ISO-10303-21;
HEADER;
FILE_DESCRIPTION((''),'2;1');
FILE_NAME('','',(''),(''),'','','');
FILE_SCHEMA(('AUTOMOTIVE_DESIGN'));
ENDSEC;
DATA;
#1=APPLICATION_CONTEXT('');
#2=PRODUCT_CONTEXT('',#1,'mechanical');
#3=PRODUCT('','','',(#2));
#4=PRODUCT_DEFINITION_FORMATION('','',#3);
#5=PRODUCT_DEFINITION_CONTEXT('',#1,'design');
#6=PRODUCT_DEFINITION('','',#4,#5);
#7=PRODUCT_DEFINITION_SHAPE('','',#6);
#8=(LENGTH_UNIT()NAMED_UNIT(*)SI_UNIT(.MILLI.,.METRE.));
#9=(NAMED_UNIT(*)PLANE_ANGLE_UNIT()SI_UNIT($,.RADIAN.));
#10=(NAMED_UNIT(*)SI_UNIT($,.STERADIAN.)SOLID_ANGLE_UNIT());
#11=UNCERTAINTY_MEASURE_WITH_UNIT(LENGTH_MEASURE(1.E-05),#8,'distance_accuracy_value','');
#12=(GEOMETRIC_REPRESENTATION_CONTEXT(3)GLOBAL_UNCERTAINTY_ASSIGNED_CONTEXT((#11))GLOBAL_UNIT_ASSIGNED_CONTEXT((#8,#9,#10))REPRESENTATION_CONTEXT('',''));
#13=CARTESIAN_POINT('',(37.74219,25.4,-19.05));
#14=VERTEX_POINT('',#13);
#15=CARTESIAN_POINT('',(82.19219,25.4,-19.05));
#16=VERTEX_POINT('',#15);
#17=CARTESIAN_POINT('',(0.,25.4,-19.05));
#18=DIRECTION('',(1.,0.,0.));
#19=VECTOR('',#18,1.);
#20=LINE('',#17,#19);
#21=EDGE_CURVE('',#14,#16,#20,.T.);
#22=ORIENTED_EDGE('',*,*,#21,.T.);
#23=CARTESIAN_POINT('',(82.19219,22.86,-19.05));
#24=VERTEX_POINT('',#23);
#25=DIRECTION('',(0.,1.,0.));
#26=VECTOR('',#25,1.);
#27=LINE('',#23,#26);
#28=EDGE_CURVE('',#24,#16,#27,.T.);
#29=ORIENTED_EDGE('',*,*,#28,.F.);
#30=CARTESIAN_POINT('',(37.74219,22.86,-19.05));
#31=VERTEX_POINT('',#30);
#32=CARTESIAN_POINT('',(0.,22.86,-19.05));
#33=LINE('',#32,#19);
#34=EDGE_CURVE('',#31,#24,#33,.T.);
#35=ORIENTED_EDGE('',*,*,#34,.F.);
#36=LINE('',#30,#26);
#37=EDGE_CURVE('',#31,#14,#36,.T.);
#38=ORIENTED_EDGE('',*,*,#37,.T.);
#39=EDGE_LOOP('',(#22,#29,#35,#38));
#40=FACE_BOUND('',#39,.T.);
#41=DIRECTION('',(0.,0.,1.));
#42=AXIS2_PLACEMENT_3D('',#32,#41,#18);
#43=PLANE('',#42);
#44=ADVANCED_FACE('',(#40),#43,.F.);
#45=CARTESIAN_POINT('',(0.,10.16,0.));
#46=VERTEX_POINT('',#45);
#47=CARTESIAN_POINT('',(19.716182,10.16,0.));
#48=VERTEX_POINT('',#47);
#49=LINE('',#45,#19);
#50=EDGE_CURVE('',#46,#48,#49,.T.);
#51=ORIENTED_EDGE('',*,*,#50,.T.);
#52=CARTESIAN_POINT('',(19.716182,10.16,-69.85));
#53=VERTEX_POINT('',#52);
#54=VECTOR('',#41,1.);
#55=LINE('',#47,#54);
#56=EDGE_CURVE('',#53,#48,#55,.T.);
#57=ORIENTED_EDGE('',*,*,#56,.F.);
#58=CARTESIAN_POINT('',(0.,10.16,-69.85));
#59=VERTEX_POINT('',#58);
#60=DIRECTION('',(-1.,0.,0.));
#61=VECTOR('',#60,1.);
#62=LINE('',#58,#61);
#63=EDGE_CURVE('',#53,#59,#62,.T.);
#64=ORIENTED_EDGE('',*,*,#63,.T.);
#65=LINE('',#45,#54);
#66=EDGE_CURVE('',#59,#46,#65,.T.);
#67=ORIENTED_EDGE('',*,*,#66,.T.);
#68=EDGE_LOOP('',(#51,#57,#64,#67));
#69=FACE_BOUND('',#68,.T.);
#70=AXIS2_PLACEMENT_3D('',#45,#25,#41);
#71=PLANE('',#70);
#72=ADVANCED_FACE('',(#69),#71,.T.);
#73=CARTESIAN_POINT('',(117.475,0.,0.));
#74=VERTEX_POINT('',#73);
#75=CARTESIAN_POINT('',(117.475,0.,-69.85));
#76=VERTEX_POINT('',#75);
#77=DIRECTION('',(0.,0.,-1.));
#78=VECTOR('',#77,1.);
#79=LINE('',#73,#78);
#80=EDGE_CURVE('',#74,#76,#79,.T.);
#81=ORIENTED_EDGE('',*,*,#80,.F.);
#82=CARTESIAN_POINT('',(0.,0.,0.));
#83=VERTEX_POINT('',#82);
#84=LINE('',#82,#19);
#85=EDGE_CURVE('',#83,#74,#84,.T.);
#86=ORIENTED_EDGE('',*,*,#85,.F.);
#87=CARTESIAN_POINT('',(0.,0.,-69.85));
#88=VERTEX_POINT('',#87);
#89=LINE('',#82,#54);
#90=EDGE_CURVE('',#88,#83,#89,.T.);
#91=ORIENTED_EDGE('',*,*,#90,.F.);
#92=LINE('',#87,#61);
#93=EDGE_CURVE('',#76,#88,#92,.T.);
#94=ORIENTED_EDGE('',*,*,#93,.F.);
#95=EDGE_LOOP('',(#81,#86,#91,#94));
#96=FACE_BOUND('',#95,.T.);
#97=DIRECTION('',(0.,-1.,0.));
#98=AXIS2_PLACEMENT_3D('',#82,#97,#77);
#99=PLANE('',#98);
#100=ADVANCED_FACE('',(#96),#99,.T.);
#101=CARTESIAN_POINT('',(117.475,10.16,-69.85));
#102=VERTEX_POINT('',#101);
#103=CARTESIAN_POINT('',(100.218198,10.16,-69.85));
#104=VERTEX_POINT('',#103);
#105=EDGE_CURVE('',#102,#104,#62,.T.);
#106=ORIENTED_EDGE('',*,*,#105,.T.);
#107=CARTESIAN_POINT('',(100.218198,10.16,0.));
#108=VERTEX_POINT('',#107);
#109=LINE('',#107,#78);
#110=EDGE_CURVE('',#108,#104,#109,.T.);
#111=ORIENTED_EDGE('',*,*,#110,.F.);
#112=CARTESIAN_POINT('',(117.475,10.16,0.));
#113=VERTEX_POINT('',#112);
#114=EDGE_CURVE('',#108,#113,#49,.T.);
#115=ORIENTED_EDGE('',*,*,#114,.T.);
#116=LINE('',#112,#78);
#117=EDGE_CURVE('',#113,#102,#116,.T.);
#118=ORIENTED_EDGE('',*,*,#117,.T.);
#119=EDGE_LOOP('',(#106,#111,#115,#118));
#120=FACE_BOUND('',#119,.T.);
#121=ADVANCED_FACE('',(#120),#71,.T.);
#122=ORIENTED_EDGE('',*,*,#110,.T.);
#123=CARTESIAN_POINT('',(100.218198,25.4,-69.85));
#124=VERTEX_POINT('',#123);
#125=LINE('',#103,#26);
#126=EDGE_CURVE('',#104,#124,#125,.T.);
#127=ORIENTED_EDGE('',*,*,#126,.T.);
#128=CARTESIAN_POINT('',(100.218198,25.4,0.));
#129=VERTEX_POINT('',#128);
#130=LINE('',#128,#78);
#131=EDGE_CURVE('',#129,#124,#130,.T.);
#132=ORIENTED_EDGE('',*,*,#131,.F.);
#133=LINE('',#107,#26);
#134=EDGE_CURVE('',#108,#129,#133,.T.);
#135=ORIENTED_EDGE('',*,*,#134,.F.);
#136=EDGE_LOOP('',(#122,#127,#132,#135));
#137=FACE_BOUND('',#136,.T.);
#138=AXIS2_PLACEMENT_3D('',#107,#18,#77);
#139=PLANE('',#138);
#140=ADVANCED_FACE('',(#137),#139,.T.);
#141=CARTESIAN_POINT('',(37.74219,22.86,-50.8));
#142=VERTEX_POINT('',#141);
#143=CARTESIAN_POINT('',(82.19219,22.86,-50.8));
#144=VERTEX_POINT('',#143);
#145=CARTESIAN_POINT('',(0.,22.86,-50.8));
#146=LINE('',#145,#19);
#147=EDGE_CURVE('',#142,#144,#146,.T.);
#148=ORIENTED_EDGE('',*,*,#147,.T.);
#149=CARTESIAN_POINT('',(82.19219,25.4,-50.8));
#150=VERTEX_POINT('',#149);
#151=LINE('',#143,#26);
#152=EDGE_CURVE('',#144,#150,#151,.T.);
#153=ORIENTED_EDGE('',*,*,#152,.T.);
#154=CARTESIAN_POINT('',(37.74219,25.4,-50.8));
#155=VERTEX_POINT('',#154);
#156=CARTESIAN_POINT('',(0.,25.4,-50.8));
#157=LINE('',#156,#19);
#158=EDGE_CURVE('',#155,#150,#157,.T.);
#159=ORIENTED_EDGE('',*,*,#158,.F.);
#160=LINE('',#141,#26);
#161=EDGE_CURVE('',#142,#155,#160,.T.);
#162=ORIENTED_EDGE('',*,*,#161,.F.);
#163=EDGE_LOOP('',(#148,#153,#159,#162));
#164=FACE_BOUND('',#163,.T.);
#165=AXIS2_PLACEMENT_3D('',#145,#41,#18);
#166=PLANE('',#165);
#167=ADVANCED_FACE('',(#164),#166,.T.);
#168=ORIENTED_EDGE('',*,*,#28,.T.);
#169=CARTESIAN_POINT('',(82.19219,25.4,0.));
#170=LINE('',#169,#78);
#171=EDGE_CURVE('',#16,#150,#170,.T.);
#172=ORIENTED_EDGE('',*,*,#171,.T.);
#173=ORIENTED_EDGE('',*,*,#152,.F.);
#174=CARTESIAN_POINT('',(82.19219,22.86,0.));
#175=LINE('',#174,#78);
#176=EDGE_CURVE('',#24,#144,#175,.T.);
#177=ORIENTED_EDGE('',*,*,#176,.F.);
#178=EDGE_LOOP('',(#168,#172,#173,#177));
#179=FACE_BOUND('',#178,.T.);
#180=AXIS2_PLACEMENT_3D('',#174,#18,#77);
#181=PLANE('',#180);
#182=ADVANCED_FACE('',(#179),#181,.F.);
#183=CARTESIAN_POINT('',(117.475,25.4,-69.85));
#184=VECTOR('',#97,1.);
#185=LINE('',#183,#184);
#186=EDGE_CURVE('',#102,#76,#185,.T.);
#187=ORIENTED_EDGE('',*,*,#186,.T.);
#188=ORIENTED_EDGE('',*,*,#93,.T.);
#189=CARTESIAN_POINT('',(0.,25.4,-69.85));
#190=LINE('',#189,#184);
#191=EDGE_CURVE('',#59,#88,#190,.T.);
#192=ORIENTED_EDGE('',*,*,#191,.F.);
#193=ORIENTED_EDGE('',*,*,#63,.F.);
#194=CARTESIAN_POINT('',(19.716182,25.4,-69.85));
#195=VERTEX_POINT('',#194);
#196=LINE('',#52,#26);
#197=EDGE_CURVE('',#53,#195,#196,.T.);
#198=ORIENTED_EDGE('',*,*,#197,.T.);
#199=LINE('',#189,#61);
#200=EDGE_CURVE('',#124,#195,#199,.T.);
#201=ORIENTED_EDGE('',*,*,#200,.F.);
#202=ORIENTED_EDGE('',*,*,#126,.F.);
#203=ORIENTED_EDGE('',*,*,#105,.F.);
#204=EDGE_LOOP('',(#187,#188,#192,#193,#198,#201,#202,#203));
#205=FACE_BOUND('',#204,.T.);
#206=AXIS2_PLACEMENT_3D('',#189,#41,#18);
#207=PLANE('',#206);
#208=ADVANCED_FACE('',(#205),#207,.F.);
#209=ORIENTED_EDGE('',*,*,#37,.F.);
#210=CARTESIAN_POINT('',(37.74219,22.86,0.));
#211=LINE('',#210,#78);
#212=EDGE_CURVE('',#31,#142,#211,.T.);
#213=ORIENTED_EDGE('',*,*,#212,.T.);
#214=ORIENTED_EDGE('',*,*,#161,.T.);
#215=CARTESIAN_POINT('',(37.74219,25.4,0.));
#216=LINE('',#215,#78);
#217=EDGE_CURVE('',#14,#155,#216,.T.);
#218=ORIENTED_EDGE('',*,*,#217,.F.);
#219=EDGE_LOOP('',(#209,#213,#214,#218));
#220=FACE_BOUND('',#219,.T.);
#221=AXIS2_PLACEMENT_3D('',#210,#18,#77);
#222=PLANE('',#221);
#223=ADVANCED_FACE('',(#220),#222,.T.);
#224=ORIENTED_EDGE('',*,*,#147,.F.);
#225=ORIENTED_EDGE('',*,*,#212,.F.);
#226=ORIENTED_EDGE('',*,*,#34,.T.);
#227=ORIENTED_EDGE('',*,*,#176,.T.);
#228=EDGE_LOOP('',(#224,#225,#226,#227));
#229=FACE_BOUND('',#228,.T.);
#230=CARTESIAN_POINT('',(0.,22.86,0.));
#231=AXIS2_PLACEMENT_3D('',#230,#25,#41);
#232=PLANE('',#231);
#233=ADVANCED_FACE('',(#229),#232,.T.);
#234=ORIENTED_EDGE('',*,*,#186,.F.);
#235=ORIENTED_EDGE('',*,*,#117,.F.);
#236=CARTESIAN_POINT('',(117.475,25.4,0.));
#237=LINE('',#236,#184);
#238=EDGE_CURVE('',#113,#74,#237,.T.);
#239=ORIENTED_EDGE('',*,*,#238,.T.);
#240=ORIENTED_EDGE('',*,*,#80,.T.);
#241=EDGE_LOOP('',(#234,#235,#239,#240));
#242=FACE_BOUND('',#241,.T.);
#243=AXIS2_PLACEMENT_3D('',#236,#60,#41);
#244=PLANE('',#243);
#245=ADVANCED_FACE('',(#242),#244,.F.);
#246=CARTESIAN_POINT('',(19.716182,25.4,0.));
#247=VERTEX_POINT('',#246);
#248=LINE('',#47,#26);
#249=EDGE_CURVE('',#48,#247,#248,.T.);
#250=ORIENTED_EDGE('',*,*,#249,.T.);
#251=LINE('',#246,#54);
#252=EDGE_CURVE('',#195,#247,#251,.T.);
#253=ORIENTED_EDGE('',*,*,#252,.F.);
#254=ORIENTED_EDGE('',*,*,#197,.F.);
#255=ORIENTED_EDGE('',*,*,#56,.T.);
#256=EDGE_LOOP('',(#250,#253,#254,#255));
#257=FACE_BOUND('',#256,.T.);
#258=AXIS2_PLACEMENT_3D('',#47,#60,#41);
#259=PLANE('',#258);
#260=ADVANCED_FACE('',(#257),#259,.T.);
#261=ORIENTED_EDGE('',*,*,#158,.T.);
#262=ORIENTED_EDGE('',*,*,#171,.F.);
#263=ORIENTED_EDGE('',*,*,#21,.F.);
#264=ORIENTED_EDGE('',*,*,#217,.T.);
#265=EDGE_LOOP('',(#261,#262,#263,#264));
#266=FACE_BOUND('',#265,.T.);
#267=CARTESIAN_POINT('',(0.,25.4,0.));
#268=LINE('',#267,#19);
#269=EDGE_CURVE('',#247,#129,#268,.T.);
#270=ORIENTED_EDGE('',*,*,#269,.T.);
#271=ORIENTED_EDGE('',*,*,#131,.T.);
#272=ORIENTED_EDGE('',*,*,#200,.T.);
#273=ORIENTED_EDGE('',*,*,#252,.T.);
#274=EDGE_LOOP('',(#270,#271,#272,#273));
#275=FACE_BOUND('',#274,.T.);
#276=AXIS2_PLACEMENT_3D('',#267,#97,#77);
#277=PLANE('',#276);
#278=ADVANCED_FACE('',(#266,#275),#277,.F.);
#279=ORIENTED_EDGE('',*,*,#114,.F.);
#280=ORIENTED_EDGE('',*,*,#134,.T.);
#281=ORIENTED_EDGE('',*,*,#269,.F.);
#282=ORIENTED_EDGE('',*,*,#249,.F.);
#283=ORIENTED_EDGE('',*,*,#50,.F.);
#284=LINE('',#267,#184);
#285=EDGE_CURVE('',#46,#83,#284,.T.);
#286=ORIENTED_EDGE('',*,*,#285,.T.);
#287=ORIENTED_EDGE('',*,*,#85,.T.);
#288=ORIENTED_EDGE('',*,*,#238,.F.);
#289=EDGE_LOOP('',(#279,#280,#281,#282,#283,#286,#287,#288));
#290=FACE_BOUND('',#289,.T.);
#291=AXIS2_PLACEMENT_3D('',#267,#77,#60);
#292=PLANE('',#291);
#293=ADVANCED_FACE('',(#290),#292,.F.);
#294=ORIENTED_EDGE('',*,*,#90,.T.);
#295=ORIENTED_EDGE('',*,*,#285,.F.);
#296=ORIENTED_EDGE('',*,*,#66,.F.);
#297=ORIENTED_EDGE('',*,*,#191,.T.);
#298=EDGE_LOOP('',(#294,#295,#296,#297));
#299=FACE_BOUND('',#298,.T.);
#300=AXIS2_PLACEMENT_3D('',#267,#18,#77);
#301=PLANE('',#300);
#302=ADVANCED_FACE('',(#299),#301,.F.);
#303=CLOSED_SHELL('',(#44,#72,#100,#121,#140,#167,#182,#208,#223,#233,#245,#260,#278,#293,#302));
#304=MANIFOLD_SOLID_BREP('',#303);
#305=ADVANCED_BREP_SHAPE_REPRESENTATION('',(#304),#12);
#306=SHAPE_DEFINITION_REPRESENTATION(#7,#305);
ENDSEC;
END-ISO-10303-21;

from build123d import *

# Parameters (mm, degrees)
SKETCH1_W           = 117.475
SKETCH1_H           = 69.85
BOSS_EXTRUDE1_DEPTH = 25.4
SKETCH2_W           = 19.716181521
SKETCH2_H           = 69.85
SKETCH2_W_2         = 17.25680248
CUT_EXTRUDE2_DEPTH  = 15.24
SKETCH3_W           = 44.45
SKETCH3_H           = 31.75
CUT_EXTRUDE4_DEPTH  = 2.54


with BuildPart() as part:
    # Sketch1 → Boss-Extrude1 (new body)
    with BuildSketch(Plane(origin=(0, 0, 0), x_dir=(1, 0, 0), z_dir=(0, 1, 0))):
        with Locations((58.7375, 34.925)):
            Rectangle(SKETCH1_W, SKETCH1_H)
    extrude(amount=BOSS_EXTRUDE1_DEPTH)

    # Sketch2 → Cut-Extrude2 (cut)
    with BuildSketch(Plane(origin=(0, 25.4, 0), x_dir=(1, 0, 0), z_dir=(0, 1, 0))):
        with Locations((9.858090761, 34.925)):
            Rectangle(SKETCH2_W, SKETCH2_H)
        with Locations((108.84659876, 34.925)):
            Rectangle(SKETCH2_W_2, SKETCH2_H)
    extrude(amount=-CUT_EXTRUDE2_DEPTH, mode=Mode.SUBTRACT)

    # Sketch3 → Cut-Extrude4 (cut)
    with BuildSketch(Plane(origin=(0, 25.4, 0), x_dir=(1, 0, 0), z_dir=(0, 1, 0))):
        with Locations((59.96718952, 34.925)):
            Rectangle(SKETCH3_W, SKETCH3_H)
    extrude(amount=-CUT_EXTRUDE4_DEPTH, mode=Mode.SUBTRACT)


solid = part.part
